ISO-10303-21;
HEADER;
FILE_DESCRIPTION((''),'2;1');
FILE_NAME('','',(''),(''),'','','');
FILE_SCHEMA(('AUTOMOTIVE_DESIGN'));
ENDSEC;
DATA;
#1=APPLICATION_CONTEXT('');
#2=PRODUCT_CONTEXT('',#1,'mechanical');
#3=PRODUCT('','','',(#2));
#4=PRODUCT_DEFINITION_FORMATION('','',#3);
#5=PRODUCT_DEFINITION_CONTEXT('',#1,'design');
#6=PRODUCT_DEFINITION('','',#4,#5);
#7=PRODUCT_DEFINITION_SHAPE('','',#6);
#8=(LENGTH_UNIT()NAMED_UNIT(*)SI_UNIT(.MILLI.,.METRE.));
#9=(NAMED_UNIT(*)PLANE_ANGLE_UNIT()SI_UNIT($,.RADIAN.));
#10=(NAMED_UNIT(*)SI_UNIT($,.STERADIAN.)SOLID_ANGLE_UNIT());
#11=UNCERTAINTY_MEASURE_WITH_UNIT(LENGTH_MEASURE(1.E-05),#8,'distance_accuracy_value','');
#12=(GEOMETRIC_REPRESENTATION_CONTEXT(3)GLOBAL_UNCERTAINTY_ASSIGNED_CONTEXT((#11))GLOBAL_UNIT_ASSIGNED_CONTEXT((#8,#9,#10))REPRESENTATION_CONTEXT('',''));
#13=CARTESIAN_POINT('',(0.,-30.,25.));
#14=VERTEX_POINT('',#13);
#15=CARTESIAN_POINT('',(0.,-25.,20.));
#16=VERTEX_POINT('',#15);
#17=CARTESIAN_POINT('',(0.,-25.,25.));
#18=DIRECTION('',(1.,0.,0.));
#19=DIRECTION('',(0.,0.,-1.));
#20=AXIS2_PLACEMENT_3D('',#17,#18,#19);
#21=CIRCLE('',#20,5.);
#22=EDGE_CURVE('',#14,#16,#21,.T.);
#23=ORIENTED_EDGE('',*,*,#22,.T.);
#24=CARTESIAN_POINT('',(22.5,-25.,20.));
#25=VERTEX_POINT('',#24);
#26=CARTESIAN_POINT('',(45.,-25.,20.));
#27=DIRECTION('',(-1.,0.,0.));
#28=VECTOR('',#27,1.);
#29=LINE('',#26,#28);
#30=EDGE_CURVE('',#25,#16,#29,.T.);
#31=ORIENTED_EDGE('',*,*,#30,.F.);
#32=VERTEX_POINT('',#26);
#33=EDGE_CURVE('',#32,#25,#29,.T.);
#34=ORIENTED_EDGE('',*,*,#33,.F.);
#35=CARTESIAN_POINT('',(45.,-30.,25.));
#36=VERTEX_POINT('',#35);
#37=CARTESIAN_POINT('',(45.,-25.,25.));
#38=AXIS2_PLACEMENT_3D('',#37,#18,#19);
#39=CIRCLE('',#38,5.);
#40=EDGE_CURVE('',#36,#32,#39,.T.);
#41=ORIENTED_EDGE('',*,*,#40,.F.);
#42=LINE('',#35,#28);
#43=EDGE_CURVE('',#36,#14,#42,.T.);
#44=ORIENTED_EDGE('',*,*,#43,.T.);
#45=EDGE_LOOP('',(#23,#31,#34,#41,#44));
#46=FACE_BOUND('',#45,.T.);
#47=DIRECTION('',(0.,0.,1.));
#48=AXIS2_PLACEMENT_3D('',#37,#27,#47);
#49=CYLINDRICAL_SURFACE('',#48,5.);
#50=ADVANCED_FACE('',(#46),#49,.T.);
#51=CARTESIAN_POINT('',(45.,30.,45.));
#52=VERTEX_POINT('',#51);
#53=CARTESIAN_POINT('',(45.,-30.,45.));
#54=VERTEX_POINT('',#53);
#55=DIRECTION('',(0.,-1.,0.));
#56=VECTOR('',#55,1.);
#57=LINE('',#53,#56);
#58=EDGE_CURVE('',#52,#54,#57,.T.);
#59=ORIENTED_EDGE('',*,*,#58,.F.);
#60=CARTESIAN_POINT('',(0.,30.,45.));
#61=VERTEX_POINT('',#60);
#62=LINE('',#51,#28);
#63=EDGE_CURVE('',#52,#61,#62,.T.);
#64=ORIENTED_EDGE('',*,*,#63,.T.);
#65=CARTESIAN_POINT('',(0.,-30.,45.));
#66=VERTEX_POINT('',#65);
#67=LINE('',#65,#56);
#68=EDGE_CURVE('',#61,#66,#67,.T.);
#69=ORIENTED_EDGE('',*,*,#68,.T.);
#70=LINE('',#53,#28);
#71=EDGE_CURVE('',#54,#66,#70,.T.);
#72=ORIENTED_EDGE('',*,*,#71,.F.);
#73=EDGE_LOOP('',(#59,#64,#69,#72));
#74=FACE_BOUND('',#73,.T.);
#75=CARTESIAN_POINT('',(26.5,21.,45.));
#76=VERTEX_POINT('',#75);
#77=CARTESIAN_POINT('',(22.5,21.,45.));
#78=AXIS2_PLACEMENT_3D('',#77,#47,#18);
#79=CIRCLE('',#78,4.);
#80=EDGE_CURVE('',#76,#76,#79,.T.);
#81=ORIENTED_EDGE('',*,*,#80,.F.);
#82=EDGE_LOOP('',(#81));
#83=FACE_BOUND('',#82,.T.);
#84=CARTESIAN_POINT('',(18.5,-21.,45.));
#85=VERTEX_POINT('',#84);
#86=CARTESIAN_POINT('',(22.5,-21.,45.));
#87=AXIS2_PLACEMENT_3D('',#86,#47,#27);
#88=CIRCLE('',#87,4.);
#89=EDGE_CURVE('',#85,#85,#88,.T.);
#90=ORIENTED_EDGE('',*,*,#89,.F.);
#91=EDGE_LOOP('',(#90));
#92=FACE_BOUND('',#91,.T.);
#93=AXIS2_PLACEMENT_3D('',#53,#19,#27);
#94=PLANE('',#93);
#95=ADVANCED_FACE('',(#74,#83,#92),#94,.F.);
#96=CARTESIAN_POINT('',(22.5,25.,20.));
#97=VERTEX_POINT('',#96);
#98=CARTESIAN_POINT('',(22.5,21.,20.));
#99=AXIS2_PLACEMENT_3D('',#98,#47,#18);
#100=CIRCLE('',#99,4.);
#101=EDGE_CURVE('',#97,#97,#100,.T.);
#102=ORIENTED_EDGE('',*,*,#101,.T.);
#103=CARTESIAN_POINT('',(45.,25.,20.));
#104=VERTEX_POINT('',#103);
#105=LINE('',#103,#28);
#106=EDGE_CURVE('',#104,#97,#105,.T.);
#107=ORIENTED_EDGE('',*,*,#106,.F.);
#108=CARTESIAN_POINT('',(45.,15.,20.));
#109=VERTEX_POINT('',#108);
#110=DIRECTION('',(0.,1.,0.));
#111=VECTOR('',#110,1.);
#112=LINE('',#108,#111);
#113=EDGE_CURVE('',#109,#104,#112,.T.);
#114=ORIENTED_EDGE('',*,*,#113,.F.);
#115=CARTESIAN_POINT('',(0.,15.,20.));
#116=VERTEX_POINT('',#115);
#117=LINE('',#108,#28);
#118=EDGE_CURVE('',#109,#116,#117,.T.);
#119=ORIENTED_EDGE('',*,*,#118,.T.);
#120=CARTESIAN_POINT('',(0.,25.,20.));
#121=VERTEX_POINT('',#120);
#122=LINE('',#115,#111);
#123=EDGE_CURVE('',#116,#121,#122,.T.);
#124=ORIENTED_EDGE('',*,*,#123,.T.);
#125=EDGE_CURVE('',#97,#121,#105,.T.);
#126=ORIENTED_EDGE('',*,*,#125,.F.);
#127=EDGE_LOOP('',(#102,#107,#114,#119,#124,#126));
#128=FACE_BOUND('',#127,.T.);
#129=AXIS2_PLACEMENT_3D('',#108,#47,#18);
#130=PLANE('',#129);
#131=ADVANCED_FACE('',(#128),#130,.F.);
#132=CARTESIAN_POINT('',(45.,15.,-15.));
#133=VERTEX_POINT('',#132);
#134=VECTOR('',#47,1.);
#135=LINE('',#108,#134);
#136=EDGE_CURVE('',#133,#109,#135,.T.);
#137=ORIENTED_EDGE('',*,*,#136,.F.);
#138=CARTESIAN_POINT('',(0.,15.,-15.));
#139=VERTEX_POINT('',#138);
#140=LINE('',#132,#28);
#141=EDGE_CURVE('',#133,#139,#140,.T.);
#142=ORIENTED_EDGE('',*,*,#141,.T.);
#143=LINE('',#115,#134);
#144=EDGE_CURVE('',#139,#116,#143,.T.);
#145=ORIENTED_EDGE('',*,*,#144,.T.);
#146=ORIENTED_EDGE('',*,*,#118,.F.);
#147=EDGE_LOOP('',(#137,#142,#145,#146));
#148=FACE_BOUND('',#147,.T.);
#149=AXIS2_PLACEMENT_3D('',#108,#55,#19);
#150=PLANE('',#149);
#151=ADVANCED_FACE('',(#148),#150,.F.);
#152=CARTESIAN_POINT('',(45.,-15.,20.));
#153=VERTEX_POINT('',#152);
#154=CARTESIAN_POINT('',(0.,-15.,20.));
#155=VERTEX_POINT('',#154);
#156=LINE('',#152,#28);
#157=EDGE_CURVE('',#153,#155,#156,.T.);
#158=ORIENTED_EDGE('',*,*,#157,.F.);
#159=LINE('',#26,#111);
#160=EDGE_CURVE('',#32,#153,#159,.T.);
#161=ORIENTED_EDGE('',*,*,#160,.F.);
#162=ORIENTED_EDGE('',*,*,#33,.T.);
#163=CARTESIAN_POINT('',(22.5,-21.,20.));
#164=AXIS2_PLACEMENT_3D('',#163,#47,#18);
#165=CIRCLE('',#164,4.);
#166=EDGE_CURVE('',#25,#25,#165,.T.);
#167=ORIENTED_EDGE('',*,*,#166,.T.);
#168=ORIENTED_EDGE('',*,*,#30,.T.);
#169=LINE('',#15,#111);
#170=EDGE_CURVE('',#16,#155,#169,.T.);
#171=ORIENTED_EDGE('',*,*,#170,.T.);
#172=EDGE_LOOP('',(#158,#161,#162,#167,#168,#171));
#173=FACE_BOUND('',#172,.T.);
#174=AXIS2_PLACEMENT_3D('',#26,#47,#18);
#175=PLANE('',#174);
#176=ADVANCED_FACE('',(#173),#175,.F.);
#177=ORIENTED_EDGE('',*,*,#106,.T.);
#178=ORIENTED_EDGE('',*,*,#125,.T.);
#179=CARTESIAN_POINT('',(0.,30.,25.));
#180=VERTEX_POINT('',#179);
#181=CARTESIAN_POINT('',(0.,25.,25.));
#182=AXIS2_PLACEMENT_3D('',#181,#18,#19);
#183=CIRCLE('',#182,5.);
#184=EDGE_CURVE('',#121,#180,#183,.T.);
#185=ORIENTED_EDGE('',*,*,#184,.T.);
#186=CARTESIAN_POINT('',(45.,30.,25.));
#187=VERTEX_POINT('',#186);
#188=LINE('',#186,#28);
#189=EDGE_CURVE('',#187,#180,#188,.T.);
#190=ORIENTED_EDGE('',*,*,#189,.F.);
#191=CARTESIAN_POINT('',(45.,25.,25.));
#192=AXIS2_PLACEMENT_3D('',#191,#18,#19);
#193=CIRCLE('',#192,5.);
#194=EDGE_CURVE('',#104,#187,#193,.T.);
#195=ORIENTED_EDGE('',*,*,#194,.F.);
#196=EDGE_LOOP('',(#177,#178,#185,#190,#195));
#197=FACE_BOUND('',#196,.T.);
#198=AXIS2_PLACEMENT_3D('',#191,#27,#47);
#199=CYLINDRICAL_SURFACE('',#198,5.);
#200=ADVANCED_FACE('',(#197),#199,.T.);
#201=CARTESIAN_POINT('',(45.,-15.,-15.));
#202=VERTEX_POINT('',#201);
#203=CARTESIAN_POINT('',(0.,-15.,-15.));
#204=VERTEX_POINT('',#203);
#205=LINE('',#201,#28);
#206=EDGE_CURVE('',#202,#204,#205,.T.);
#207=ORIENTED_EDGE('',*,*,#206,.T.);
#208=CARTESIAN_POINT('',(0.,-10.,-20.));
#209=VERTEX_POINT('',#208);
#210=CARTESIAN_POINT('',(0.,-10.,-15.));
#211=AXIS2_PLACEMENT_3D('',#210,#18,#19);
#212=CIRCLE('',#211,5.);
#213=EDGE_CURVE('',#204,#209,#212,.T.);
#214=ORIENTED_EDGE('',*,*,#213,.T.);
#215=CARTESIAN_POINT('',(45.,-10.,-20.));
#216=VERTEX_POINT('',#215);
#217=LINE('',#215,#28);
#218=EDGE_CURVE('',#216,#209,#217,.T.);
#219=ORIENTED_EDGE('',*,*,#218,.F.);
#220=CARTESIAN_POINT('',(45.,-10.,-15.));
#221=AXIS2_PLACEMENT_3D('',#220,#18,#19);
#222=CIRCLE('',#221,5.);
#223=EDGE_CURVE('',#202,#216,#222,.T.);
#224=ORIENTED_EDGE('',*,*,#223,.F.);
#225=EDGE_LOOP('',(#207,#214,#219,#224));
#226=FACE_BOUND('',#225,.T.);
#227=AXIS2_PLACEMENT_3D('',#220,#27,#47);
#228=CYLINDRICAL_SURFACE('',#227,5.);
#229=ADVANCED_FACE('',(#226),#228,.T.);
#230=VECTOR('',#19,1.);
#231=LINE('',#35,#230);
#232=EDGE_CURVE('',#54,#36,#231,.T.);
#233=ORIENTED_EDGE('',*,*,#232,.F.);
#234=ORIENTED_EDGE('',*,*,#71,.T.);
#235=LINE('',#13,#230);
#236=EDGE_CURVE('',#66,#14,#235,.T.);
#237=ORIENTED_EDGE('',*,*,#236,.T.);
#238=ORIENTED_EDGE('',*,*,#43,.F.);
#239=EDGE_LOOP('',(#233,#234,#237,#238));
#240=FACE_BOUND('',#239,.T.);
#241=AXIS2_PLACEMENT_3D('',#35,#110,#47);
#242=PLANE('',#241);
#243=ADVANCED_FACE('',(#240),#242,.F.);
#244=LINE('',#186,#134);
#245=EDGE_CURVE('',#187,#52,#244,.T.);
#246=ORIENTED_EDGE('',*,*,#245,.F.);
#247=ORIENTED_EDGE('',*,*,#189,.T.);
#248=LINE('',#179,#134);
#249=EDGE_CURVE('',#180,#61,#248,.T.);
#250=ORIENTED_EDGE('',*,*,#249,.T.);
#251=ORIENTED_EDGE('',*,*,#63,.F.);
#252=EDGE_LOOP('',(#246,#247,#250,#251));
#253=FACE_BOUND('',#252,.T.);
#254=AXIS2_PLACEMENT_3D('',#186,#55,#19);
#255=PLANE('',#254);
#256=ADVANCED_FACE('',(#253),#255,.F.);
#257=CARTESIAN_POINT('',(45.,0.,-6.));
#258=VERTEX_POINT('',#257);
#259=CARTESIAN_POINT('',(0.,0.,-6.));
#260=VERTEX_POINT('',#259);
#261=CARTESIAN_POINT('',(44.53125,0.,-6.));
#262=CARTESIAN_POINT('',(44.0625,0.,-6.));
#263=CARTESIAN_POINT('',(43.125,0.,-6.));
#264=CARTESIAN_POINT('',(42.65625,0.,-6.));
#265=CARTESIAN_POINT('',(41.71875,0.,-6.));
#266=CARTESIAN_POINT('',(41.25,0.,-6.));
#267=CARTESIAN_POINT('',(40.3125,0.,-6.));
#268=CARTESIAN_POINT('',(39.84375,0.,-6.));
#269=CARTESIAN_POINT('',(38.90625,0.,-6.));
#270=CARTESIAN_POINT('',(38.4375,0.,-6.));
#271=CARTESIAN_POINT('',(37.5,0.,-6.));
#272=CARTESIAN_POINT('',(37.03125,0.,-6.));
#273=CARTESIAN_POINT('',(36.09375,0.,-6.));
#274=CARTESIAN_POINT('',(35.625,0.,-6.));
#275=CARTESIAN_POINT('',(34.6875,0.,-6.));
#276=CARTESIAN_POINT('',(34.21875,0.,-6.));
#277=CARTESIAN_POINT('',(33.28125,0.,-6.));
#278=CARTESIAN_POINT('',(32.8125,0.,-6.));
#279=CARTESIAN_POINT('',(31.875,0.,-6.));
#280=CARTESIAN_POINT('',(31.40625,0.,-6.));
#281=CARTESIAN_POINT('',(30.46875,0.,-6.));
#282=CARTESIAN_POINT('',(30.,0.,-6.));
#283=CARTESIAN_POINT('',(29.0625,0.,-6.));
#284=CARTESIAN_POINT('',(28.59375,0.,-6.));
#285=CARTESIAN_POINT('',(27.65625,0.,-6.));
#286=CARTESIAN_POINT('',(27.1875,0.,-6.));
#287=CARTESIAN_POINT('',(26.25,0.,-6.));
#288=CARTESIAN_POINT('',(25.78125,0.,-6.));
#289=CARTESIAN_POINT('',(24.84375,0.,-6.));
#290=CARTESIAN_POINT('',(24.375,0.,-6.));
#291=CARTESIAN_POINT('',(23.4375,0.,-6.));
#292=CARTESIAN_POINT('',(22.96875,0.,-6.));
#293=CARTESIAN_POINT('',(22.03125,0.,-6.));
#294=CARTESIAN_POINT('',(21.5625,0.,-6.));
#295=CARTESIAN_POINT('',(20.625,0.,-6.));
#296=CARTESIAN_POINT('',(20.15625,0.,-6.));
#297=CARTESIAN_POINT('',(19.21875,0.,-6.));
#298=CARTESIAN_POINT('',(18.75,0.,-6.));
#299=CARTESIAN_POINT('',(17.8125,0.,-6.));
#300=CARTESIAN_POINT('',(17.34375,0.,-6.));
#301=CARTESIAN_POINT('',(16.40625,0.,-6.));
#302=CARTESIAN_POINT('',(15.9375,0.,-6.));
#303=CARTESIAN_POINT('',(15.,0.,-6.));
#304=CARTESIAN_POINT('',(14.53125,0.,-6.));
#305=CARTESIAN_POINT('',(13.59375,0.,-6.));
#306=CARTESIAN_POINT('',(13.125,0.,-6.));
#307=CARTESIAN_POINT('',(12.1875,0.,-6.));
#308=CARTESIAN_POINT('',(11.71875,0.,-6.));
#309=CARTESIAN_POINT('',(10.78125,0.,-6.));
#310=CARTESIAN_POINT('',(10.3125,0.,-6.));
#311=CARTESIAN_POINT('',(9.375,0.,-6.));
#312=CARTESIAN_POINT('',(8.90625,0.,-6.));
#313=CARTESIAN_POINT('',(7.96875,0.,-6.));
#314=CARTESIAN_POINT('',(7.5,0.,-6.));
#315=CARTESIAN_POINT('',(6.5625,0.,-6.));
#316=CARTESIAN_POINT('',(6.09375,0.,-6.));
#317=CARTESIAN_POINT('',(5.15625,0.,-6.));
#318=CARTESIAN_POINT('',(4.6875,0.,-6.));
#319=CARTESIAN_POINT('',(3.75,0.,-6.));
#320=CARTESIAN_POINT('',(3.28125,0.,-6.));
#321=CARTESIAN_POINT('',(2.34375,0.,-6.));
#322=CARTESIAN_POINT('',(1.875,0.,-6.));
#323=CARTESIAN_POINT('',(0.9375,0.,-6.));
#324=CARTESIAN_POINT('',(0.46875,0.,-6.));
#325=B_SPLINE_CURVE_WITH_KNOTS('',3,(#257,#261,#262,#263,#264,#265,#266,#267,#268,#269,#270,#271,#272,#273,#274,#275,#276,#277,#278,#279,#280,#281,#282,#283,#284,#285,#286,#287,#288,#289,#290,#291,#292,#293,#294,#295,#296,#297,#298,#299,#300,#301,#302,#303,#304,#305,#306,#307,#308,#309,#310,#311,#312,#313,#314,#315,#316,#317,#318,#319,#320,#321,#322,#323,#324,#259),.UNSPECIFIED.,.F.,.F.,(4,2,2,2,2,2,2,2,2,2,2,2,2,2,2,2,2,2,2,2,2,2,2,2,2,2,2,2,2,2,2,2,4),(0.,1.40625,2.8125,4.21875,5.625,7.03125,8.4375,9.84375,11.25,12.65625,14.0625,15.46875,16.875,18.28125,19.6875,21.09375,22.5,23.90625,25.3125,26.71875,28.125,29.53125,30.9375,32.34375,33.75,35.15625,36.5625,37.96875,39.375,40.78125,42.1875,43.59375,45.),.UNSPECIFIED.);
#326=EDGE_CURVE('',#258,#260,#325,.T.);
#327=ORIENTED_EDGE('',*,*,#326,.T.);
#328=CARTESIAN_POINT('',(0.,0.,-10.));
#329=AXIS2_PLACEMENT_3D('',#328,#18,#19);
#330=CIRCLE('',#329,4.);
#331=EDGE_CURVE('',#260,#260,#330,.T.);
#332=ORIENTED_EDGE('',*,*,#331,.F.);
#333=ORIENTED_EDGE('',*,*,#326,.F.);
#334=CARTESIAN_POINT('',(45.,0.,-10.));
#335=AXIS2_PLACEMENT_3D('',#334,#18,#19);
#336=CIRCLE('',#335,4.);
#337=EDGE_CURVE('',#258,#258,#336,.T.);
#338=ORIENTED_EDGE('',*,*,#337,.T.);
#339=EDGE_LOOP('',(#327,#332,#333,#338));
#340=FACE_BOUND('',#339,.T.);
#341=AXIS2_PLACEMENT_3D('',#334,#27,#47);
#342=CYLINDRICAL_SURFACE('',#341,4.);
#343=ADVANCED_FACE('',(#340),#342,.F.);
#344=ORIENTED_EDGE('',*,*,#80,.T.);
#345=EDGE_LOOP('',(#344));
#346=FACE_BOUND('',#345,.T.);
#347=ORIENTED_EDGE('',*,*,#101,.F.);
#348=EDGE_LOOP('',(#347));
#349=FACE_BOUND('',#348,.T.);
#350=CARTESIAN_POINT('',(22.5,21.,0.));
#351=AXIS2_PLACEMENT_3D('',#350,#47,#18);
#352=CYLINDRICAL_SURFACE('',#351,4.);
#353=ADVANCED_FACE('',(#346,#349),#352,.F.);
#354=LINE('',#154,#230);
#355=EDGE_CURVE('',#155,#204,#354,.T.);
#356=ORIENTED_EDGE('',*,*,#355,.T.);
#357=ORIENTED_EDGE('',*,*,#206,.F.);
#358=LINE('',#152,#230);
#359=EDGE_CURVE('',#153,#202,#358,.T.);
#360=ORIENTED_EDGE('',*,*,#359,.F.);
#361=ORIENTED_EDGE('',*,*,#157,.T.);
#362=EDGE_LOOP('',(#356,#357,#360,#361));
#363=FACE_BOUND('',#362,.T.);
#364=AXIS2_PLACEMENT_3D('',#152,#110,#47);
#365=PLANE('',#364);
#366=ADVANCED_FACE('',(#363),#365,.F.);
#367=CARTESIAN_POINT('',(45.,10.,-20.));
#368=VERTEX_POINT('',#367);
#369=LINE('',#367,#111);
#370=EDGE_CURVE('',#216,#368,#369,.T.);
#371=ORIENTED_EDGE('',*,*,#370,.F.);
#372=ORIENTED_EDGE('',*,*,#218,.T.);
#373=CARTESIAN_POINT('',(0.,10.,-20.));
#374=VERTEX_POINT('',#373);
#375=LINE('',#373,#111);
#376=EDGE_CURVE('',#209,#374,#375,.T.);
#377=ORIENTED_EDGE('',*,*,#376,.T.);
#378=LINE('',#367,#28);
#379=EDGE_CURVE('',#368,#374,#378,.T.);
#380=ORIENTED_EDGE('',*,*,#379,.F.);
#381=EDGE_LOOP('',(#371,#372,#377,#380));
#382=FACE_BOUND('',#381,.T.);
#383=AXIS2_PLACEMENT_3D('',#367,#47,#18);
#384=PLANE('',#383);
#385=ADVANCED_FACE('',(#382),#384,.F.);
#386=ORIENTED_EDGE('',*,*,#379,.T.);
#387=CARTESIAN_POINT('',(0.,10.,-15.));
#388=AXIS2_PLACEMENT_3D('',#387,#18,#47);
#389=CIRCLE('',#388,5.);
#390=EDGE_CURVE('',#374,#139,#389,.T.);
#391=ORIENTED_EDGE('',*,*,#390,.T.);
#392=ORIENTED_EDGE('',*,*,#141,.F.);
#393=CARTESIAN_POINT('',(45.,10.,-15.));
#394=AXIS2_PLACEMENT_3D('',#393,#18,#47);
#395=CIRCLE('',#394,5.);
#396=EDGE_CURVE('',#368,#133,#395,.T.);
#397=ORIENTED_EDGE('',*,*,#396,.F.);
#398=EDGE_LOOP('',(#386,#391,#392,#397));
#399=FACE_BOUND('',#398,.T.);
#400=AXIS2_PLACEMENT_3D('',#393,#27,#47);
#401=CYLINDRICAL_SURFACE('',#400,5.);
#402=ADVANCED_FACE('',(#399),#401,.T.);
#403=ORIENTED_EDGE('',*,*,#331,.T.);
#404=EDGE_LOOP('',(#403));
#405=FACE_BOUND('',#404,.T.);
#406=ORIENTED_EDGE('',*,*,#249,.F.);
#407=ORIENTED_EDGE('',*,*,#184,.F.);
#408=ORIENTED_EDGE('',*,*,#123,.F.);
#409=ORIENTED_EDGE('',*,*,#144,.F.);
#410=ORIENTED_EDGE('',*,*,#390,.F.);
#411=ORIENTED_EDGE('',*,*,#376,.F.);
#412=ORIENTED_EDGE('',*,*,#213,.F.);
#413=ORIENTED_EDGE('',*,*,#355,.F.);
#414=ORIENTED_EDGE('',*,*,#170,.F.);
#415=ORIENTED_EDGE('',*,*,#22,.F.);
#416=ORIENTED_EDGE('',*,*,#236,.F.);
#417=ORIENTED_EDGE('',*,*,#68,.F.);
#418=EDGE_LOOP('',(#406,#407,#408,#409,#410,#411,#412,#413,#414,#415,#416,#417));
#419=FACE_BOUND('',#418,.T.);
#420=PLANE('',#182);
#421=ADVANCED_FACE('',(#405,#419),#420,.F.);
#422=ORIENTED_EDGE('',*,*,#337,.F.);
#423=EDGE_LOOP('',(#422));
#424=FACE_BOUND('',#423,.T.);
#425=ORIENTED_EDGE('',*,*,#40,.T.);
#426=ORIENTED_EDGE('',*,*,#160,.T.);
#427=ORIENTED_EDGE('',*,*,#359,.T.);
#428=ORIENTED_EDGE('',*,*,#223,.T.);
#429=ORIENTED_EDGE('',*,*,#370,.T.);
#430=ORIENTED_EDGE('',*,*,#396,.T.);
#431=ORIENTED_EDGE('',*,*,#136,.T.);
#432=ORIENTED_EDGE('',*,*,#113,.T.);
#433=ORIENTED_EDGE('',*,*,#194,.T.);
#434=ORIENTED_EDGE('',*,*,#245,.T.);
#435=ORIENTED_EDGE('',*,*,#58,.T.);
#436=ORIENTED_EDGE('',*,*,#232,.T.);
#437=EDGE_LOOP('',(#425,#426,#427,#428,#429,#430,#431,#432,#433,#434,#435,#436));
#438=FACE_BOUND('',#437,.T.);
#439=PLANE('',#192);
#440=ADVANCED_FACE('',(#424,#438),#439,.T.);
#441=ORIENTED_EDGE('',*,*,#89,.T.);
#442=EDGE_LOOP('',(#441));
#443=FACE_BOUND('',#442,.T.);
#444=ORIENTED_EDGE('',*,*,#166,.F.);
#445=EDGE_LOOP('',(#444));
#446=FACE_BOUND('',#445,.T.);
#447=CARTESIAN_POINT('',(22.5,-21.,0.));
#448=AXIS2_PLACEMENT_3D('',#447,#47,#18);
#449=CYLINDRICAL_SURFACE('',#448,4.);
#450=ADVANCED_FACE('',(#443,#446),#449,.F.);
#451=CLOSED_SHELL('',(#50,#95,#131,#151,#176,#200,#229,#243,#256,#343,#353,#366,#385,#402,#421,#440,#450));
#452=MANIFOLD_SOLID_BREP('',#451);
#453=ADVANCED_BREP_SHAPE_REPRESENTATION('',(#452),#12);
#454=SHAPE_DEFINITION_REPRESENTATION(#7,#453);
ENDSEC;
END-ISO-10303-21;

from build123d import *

# Parameters (mm, degrees)
SKETCH_1_R          = 4
EXTRUDE_1_DEPTH     = 45
SKETCH_2_R          = 4
CUT_EXTRUDE_1_DEPTH = 45


with BuildPart() as part:
    # 草图1 → 凸台-拉伸1 (new body)
    with BuildSketch(Plane(origin=(0, 0, 0), x_dir=(0, 0, -1), z_dir=(1, 0, 0))):
        with BuildLine():
            Line((-20, 15), (15, 15))
            ThreePointArc((15, 15), (18.535533906, 13.535533906), (20, 10))
            Line((20, 10), (20, -10))
            ThreePointArc((20, -10), (18.535533906, -13.535533906), (15, -15))
            Line((15, -15), (-20, -15))
            Line((-20, -15), (-20, -25))
            ThreePointArc((-20, -25), (-21.464466094, -28.535533906), (-25, -30))
            Line((-25, -30), (-45, -30))
            Line((-45, -30), (-45, 30))
            Line((-45, 30), (-25, 30))
            ThreePointArc((-25, 30), (-21.464466094, 28.535533906), (-20, 25))
            Line((-20, 25), (-20, 15))
        make_face()
        with Locations(Location((10, 0, 0), (0, 0, 180))):
            Circle(SKETCH_1_R, mode=Mode.SUBTRACT)
    extrude(amount=EXTRUDE_1_DEPTH)

    # 草图2 → 切除-拉伸1 (cut)
    with BuildSketch(Plane.XY.offset(45)):
        with Locations((22.5, 21)):
            Circle(SKETCH_2_R)
        with Locations(Location((22.5, -21, 0), (0, 0, 270))):
            Circle(SKETCH_2_R)
    extrude(amount=-CUT_EXTRUDE_1_DEPTH, mode=Mode.SUBTRACT)


solid = part.part
